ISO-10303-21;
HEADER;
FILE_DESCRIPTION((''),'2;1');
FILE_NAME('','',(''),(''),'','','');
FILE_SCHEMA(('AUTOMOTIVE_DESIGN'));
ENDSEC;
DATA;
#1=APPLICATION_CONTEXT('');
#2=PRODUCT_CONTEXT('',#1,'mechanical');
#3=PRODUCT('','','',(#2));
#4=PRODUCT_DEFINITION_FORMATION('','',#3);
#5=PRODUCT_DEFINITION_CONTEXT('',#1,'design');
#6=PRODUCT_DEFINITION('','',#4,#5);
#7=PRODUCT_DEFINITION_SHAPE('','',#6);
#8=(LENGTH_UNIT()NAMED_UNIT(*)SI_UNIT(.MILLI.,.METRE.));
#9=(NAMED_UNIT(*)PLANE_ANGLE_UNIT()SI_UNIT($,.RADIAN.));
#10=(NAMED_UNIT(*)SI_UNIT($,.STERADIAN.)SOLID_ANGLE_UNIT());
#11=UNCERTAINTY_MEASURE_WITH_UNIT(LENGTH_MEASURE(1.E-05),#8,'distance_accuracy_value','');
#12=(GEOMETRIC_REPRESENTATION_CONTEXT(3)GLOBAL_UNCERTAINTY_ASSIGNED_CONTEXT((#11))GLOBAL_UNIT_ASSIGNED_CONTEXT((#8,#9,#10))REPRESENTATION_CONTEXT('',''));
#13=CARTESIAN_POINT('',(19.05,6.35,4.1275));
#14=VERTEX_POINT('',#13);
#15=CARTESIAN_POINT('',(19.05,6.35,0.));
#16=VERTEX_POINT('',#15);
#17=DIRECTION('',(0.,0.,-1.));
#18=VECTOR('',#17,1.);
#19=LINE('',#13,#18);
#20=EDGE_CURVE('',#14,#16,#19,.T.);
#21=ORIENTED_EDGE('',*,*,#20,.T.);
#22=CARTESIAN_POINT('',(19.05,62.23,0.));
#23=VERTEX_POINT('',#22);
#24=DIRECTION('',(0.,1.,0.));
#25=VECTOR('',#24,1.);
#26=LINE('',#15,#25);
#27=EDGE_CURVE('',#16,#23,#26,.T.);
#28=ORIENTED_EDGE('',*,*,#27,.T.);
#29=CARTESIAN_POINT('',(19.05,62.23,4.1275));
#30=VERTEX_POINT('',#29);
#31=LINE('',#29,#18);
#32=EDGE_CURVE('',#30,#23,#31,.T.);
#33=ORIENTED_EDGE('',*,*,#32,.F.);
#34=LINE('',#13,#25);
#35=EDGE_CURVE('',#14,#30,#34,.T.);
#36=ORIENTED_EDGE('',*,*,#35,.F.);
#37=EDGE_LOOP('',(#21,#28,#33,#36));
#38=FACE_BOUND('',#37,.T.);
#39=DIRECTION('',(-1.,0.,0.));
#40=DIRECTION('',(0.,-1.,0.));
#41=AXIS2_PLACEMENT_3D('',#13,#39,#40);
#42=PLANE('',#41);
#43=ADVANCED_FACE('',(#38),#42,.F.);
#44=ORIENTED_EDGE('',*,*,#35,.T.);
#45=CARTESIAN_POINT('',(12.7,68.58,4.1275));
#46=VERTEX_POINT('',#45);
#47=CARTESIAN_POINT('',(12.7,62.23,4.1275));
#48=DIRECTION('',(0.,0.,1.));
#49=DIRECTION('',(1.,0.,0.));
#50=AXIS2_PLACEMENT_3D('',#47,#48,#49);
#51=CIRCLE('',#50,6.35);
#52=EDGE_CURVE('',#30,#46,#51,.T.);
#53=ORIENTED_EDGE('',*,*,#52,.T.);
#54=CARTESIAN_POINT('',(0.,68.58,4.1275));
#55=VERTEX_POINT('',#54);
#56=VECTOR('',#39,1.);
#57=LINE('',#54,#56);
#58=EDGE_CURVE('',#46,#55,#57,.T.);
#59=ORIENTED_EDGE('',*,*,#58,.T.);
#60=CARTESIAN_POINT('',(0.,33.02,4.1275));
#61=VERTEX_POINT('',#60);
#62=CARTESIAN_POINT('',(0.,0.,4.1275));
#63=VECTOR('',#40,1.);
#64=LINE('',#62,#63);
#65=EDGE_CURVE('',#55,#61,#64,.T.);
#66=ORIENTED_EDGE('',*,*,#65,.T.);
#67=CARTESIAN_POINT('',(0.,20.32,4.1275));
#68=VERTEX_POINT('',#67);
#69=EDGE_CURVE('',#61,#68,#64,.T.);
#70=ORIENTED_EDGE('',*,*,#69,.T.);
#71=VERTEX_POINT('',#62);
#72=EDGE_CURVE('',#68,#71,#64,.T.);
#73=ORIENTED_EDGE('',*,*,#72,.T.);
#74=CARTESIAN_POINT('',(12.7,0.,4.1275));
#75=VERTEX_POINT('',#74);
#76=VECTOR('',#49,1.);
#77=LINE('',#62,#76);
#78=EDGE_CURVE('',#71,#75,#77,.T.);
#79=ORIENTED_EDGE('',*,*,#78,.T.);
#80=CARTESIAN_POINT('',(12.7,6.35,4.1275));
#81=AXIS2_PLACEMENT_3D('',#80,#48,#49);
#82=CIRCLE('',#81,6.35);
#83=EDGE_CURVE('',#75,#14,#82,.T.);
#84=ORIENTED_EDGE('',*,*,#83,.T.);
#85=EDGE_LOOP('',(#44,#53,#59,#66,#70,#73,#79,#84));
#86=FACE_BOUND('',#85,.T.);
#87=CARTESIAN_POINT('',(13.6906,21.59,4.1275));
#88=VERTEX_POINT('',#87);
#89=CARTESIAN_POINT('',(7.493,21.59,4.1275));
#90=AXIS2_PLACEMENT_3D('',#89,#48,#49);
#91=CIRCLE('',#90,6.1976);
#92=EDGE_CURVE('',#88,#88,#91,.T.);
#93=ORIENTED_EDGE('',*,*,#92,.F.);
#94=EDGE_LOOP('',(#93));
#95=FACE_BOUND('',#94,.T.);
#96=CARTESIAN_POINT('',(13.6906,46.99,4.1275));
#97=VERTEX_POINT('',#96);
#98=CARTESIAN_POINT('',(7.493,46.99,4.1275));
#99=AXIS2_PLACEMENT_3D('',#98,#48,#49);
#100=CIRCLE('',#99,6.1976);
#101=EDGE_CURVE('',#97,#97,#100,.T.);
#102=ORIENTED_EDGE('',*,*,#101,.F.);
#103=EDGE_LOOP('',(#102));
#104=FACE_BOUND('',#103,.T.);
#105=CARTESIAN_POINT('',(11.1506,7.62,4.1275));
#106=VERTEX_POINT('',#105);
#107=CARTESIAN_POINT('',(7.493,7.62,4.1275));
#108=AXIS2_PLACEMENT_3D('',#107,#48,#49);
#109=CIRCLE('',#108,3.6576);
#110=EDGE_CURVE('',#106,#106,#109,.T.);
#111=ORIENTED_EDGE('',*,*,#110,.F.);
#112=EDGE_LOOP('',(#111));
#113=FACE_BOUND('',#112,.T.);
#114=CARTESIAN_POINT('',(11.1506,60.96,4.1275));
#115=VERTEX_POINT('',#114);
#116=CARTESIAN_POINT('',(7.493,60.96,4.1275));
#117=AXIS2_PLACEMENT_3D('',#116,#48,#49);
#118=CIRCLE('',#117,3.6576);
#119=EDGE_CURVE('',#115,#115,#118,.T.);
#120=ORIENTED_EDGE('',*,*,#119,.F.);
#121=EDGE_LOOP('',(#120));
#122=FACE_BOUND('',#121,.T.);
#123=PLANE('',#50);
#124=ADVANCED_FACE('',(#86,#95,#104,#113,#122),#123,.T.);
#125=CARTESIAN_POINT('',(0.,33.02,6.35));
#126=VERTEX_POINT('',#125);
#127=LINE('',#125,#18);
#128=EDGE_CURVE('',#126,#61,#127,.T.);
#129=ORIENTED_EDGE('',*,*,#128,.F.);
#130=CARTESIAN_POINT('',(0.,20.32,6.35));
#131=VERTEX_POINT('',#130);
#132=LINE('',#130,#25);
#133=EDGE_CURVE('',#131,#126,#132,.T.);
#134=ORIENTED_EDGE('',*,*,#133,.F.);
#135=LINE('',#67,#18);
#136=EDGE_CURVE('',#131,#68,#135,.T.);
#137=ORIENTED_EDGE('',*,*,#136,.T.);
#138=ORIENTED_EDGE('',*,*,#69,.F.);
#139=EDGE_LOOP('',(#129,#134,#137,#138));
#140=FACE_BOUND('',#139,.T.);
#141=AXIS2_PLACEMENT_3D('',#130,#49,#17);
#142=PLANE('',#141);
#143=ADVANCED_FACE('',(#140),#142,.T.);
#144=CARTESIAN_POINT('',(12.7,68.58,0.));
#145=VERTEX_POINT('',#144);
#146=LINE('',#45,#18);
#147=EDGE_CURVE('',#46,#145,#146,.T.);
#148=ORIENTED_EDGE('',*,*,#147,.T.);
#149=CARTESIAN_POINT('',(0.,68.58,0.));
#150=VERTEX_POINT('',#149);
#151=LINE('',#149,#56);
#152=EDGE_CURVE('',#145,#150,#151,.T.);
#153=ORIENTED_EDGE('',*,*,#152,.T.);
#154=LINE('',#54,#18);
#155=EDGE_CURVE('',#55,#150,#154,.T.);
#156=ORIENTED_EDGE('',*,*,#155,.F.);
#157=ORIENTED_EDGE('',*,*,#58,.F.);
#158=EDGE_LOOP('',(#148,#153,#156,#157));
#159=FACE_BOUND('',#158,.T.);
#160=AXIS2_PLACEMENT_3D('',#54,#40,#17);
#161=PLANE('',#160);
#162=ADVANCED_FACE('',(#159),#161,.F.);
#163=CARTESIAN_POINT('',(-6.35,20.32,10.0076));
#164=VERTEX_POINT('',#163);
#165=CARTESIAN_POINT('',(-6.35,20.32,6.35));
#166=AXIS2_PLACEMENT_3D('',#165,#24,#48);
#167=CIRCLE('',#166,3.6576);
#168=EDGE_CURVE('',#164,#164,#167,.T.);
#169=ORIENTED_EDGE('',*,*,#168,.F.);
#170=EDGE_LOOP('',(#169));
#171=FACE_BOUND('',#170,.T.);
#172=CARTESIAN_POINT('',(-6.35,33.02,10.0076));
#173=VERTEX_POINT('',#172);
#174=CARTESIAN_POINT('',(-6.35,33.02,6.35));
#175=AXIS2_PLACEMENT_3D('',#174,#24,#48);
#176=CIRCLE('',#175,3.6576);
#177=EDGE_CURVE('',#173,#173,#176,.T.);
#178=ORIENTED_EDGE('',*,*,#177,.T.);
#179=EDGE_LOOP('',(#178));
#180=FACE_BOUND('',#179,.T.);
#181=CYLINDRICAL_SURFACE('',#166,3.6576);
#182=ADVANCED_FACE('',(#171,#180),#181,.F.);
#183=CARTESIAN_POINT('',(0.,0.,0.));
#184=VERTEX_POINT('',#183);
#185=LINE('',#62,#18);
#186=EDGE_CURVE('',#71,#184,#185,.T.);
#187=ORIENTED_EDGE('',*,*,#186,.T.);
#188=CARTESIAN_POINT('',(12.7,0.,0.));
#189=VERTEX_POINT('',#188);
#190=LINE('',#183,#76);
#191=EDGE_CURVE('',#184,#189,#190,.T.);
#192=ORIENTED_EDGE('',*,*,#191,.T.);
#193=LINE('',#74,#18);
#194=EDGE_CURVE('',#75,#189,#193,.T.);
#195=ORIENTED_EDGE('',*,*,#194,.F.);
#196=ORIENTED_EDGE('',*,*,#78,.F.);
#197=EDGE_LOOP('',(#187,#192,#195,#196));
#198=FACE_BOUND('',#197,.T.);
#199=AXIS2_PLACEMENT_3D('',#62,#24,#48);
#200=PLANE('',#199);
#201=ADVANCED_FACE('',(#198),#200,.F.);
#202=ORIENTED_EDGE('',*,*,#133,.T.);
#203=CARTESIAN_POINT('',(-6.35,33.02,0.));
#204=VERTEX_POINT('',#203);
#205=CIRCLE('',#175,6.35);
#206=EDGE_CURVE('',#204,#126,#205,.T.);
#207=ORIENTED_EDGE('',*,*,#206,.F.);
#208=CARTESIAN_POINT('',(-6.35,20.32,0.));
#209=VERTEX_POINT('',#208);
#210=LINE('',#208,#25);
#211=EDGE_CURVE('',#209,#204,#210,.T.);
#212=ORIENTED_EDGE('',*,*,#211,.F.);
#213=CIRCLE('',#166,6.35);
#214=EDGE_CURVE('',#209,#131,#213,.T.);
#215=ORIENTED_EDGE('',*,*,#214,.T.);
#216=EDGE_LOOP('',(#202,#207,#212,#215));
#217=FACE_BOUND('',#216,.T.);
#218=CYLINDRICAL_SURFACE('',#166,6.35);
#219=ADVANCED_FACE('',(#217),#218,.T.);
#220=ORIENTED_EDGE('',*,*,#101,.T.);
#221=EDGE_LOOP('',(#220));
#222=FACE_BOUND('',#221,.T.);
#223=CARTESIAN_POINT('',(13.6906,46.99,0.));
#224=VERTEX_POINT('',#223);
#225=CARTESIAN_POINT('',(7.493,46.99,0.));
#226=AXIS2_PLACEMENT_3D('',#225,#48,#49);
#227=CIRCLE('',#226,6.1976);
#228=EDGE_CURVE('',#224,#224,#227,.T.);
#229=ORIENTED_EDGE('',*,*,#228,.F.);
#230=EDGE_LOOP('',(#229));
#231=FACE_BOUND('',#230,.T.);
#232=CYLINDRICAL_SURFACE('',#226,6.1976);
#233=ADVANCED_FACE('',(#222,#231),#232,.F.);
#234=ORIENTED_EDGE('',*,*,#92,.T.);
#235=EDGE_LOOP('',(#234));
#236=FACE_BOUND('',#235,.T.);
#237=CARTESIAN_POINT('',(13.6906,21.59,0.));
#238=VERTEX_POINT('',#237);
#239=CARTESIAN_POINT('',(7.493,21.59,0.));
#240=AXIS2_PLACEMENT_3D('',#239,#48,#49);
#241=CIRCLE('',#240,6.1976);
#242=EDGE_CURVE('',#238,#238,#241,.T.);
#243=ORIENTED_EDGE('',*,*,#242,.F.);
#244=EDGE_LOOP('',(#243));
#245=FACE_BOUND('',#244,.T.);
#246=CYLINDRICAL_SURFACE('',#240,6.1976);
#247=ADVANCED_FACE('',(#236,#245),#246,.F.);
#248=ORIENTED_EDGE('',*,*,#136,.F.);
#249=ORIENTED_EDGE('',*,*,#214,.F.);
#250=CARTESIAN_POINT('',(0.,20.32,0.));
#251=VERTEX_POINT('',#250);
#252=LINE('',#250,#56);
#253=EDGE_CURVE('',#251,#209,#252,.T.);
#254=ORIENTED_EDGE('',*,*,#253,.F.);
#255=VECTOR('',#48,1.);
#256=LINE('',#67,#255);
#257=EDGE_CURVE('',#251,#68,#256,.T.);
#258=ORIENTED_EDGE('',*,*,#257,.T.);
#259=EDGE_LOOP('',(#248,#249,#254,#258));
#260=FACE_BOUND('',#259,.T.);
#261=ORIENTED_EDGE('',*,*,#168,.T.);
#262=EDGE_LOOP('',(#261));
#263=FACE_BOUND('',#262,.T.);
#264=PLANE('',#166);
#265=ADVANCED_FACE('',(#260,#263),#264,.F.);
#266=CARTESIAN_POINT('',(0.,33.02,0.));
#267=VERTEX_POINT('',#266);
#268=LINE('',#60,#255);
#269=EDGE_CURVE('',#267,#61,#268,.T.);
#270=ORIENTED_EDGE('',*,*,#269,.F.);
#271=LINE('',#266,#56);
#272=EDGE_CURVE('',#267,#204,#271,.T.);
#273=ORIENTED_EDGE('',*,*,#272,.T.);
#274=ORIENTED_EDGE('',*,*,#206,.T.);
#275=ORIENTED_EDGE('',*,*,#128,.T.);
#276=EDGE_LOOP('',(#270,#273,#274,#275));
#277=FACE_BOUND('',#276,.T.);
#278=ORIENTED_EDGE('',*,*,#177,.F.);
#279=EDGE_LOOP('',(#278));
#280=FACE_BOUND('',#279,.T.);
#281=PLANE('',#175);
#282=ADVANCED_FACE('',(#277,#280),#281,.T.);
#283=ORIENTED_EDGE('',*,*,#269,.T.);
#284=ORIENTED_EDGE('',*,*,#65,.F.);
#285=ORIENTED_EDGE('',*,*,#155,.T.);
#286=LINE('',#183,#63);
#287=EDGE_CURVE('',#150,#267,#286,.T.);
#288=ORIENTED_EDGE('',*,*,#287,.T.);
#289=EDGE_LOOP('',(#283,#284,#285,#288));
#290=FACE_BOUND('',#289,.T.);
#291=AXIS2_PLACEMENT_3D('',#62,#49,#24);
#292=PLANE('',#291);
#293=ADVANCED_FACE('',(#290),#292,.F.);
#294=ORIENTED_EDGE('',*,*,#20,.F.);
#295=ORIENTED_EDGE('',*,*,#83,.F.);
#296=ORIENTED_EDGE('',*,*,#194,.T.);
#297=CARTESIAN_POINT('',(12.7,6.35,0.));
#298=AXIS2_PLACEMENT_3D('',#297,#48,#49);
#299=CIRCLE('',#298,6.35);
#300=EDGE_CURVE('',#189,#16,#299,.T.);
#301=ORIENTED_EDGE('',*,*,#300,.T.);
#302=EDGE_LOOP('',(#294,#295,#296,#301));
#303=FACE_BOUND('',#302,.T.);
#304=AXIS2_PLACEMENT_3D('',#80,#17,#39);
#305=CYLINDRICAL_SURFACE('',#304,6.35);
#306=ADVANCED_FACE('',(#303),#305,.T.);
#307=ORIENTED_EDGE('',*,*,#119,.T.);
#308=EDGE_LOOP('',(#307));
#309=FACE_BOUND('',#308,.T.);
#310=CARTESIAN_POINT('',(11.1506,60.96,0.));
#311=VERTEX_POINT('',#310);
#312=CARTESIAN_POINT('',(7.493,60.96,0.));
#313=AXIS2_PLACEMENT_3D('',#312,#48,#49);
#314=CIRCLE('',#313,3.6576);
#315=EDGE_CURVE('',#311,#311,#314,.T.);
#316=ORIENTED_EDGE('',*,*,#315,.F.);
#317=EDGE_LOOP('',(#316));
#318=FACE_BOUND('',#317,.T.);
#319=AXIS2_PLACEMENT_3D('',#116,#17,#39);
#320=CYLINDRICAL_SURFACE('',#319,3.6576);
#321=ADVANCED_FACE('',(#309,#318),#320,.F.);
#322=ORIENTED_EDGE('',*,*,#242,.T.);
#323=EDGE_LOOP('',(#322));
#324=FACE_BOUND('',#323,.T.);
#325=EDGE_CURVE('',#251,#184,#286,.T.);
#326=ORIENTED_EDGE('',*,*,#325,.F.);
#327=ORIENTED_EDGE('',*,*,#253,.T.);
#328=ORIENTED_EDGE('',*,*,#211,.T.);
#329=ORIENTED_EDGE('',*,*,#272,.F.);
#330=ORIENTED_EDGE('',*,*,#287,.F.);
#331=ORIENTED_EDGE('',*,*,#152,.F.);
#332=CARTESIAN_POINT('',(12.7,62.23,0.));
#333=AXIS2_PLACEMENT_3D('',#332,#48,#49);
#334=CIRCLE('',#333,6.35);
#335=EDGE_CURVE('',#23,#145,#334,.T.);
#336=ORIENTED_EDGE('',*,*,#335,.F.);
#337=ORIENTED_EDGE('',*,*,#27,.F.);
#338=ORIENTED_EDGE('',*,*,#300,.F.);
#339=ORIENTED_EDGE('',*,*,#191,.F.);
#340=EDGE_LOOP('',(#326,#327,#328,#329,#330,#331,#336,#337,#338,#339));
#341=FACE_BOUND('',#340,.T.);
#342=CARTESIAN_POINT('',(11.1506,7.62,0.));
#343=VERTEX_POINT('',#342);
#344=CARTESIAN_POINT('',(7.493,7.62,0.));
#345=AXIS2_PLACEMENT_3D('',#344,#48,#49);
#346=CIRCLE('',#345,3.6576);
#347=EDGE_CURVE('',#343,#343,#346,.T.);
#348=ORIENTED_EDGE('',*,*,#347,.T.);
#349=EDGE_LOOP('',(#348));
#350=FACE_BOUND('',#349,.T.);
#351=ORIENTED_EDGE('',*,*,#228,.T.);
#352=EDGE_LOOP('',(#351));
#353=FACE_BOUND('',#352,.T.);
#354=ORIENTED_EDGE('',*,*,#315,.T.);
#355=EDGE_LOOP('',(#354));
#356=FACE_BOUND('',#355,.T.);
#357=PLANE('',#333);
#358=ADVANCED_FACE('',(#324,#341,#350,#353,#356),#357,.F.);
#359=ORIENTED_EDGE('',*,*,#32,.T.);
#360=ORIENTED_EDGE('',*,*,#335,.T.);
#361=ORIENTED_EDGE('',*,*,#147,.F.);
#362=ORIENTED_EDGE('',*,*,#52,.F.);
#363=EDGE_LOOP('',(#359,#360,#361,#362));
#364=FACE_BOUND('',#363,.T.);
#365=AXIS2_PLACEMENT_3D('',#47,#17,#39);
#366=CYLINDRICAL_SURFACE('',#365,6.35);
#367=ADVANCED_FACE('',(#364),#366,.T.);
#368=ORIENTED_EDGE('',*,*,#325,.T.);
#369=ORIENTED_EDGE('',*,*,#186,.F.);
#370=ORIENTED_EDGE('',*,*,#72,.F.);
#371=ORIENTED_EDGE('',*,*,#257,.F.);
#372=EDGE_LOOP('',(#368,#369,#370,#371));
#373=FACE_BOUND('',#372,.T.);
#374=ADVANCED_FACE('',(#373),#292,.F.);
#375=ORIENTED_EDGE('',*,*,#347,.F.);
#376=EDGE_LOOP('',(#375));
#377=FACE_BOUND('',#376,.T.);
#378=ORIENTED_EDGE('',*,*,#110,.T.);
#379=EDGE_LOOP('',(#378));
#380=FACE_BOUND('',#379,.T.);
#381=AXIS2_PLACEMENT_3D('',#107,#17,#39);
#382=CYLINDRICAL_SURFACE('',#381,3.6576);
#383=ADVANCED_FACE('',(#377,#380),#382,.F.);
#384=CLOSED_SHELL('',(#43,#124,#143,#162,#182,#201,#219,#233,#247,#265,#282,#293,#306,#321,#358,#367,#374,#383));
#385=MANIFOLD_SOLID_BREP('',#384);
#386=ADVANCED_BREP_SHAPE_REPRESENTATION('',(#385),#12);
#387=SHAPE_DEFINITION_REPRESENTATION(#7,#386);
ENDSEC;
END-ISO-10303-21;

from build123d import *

# Parameters (mm, degrees)
SKETCH1_R           = 3.6576
BOSS_EXTRUDE1_DEPTH = 4.1275
BOSS_EXTRUDE2_START = -35.56
SKETCH2_R           = 3.6576
BOSS_EXTRUDE2_DEPTH = 12.7
SKETCH3_R           = 6.1976
CUT_EXTRUDE1_DEPTH  = 72.691050043


with BuildPart() as part:
    # Sketch1 → Boss-Extrude1 (new body)
    with BuildSketch(Plane.XY):
        with BuildLine():
            Line((0, 0), (12.7, 0))
            ThreePointArc((12.7, 0), (17.190128061, 1.859871939), (19.05, 6.35))
            Line((19.05, 6.35), (19.05, 62.23))
            ThreePointArc((19.05, 62.23), (17.190128061, 66.720128061), (12.7, 68.58))
            Line((12.7, 68.58), (0, 68.58))
            Line((0, 68.58), (0, 0))
        make_face()
        with Locations((7.493, 60.96)):
            Circle(SKETCH1_R, mode=Mode.SUBTRACT)
        with Locations((7.493, 7.62)):
            Circle(SKETCH1_R, mode=Mode.SUBTRACT)
    extrude(amount=BOSS_EXTRUDE1_DEPTH)

    # Sketch2 → Boss-Extrude2 (add)
    with BuildSketch(Plane(origin=(0, 68.58, 0), x_dir=(1, 0, 0), z_dir=(0, 1, 0)).offset(BOSS_EXTRUDE2_START)):
        with BuildLine():
            Line((0, 0), (-6.35, 0))
            ThreePointArc((-6.35, 0), (-10.840128061, -10.840128061), (0, -6.35))
            Line((0, -6.35), (0, -4.1275))
            Line((0, -4.1275), (0, 0))
        make_face()
        with Locations(Location((-6.35, -6.35, 0), (0, 0, 270))):
            Circle(SKETCH2_R, mode=Mode.SUBTRACT)
    extrude(amount=-BOSS_EXTRUDE2_DEPTH)

    # Sketch3 → Cut-Extrude1 (cut, through all)
    with BuildSketch(Plane.XY.offset(4.1275)):
        with Locations((7.493, 46.99)):
            Circle(SKETCH3_R)
        with Locations((7.493, 21.59)):
            Circle(SKETCH3_R)
    extrude(amount=-CUT_EXTRUDE1_DEPTH, mode=Mode.SUBTRACT)


solid = part.part
